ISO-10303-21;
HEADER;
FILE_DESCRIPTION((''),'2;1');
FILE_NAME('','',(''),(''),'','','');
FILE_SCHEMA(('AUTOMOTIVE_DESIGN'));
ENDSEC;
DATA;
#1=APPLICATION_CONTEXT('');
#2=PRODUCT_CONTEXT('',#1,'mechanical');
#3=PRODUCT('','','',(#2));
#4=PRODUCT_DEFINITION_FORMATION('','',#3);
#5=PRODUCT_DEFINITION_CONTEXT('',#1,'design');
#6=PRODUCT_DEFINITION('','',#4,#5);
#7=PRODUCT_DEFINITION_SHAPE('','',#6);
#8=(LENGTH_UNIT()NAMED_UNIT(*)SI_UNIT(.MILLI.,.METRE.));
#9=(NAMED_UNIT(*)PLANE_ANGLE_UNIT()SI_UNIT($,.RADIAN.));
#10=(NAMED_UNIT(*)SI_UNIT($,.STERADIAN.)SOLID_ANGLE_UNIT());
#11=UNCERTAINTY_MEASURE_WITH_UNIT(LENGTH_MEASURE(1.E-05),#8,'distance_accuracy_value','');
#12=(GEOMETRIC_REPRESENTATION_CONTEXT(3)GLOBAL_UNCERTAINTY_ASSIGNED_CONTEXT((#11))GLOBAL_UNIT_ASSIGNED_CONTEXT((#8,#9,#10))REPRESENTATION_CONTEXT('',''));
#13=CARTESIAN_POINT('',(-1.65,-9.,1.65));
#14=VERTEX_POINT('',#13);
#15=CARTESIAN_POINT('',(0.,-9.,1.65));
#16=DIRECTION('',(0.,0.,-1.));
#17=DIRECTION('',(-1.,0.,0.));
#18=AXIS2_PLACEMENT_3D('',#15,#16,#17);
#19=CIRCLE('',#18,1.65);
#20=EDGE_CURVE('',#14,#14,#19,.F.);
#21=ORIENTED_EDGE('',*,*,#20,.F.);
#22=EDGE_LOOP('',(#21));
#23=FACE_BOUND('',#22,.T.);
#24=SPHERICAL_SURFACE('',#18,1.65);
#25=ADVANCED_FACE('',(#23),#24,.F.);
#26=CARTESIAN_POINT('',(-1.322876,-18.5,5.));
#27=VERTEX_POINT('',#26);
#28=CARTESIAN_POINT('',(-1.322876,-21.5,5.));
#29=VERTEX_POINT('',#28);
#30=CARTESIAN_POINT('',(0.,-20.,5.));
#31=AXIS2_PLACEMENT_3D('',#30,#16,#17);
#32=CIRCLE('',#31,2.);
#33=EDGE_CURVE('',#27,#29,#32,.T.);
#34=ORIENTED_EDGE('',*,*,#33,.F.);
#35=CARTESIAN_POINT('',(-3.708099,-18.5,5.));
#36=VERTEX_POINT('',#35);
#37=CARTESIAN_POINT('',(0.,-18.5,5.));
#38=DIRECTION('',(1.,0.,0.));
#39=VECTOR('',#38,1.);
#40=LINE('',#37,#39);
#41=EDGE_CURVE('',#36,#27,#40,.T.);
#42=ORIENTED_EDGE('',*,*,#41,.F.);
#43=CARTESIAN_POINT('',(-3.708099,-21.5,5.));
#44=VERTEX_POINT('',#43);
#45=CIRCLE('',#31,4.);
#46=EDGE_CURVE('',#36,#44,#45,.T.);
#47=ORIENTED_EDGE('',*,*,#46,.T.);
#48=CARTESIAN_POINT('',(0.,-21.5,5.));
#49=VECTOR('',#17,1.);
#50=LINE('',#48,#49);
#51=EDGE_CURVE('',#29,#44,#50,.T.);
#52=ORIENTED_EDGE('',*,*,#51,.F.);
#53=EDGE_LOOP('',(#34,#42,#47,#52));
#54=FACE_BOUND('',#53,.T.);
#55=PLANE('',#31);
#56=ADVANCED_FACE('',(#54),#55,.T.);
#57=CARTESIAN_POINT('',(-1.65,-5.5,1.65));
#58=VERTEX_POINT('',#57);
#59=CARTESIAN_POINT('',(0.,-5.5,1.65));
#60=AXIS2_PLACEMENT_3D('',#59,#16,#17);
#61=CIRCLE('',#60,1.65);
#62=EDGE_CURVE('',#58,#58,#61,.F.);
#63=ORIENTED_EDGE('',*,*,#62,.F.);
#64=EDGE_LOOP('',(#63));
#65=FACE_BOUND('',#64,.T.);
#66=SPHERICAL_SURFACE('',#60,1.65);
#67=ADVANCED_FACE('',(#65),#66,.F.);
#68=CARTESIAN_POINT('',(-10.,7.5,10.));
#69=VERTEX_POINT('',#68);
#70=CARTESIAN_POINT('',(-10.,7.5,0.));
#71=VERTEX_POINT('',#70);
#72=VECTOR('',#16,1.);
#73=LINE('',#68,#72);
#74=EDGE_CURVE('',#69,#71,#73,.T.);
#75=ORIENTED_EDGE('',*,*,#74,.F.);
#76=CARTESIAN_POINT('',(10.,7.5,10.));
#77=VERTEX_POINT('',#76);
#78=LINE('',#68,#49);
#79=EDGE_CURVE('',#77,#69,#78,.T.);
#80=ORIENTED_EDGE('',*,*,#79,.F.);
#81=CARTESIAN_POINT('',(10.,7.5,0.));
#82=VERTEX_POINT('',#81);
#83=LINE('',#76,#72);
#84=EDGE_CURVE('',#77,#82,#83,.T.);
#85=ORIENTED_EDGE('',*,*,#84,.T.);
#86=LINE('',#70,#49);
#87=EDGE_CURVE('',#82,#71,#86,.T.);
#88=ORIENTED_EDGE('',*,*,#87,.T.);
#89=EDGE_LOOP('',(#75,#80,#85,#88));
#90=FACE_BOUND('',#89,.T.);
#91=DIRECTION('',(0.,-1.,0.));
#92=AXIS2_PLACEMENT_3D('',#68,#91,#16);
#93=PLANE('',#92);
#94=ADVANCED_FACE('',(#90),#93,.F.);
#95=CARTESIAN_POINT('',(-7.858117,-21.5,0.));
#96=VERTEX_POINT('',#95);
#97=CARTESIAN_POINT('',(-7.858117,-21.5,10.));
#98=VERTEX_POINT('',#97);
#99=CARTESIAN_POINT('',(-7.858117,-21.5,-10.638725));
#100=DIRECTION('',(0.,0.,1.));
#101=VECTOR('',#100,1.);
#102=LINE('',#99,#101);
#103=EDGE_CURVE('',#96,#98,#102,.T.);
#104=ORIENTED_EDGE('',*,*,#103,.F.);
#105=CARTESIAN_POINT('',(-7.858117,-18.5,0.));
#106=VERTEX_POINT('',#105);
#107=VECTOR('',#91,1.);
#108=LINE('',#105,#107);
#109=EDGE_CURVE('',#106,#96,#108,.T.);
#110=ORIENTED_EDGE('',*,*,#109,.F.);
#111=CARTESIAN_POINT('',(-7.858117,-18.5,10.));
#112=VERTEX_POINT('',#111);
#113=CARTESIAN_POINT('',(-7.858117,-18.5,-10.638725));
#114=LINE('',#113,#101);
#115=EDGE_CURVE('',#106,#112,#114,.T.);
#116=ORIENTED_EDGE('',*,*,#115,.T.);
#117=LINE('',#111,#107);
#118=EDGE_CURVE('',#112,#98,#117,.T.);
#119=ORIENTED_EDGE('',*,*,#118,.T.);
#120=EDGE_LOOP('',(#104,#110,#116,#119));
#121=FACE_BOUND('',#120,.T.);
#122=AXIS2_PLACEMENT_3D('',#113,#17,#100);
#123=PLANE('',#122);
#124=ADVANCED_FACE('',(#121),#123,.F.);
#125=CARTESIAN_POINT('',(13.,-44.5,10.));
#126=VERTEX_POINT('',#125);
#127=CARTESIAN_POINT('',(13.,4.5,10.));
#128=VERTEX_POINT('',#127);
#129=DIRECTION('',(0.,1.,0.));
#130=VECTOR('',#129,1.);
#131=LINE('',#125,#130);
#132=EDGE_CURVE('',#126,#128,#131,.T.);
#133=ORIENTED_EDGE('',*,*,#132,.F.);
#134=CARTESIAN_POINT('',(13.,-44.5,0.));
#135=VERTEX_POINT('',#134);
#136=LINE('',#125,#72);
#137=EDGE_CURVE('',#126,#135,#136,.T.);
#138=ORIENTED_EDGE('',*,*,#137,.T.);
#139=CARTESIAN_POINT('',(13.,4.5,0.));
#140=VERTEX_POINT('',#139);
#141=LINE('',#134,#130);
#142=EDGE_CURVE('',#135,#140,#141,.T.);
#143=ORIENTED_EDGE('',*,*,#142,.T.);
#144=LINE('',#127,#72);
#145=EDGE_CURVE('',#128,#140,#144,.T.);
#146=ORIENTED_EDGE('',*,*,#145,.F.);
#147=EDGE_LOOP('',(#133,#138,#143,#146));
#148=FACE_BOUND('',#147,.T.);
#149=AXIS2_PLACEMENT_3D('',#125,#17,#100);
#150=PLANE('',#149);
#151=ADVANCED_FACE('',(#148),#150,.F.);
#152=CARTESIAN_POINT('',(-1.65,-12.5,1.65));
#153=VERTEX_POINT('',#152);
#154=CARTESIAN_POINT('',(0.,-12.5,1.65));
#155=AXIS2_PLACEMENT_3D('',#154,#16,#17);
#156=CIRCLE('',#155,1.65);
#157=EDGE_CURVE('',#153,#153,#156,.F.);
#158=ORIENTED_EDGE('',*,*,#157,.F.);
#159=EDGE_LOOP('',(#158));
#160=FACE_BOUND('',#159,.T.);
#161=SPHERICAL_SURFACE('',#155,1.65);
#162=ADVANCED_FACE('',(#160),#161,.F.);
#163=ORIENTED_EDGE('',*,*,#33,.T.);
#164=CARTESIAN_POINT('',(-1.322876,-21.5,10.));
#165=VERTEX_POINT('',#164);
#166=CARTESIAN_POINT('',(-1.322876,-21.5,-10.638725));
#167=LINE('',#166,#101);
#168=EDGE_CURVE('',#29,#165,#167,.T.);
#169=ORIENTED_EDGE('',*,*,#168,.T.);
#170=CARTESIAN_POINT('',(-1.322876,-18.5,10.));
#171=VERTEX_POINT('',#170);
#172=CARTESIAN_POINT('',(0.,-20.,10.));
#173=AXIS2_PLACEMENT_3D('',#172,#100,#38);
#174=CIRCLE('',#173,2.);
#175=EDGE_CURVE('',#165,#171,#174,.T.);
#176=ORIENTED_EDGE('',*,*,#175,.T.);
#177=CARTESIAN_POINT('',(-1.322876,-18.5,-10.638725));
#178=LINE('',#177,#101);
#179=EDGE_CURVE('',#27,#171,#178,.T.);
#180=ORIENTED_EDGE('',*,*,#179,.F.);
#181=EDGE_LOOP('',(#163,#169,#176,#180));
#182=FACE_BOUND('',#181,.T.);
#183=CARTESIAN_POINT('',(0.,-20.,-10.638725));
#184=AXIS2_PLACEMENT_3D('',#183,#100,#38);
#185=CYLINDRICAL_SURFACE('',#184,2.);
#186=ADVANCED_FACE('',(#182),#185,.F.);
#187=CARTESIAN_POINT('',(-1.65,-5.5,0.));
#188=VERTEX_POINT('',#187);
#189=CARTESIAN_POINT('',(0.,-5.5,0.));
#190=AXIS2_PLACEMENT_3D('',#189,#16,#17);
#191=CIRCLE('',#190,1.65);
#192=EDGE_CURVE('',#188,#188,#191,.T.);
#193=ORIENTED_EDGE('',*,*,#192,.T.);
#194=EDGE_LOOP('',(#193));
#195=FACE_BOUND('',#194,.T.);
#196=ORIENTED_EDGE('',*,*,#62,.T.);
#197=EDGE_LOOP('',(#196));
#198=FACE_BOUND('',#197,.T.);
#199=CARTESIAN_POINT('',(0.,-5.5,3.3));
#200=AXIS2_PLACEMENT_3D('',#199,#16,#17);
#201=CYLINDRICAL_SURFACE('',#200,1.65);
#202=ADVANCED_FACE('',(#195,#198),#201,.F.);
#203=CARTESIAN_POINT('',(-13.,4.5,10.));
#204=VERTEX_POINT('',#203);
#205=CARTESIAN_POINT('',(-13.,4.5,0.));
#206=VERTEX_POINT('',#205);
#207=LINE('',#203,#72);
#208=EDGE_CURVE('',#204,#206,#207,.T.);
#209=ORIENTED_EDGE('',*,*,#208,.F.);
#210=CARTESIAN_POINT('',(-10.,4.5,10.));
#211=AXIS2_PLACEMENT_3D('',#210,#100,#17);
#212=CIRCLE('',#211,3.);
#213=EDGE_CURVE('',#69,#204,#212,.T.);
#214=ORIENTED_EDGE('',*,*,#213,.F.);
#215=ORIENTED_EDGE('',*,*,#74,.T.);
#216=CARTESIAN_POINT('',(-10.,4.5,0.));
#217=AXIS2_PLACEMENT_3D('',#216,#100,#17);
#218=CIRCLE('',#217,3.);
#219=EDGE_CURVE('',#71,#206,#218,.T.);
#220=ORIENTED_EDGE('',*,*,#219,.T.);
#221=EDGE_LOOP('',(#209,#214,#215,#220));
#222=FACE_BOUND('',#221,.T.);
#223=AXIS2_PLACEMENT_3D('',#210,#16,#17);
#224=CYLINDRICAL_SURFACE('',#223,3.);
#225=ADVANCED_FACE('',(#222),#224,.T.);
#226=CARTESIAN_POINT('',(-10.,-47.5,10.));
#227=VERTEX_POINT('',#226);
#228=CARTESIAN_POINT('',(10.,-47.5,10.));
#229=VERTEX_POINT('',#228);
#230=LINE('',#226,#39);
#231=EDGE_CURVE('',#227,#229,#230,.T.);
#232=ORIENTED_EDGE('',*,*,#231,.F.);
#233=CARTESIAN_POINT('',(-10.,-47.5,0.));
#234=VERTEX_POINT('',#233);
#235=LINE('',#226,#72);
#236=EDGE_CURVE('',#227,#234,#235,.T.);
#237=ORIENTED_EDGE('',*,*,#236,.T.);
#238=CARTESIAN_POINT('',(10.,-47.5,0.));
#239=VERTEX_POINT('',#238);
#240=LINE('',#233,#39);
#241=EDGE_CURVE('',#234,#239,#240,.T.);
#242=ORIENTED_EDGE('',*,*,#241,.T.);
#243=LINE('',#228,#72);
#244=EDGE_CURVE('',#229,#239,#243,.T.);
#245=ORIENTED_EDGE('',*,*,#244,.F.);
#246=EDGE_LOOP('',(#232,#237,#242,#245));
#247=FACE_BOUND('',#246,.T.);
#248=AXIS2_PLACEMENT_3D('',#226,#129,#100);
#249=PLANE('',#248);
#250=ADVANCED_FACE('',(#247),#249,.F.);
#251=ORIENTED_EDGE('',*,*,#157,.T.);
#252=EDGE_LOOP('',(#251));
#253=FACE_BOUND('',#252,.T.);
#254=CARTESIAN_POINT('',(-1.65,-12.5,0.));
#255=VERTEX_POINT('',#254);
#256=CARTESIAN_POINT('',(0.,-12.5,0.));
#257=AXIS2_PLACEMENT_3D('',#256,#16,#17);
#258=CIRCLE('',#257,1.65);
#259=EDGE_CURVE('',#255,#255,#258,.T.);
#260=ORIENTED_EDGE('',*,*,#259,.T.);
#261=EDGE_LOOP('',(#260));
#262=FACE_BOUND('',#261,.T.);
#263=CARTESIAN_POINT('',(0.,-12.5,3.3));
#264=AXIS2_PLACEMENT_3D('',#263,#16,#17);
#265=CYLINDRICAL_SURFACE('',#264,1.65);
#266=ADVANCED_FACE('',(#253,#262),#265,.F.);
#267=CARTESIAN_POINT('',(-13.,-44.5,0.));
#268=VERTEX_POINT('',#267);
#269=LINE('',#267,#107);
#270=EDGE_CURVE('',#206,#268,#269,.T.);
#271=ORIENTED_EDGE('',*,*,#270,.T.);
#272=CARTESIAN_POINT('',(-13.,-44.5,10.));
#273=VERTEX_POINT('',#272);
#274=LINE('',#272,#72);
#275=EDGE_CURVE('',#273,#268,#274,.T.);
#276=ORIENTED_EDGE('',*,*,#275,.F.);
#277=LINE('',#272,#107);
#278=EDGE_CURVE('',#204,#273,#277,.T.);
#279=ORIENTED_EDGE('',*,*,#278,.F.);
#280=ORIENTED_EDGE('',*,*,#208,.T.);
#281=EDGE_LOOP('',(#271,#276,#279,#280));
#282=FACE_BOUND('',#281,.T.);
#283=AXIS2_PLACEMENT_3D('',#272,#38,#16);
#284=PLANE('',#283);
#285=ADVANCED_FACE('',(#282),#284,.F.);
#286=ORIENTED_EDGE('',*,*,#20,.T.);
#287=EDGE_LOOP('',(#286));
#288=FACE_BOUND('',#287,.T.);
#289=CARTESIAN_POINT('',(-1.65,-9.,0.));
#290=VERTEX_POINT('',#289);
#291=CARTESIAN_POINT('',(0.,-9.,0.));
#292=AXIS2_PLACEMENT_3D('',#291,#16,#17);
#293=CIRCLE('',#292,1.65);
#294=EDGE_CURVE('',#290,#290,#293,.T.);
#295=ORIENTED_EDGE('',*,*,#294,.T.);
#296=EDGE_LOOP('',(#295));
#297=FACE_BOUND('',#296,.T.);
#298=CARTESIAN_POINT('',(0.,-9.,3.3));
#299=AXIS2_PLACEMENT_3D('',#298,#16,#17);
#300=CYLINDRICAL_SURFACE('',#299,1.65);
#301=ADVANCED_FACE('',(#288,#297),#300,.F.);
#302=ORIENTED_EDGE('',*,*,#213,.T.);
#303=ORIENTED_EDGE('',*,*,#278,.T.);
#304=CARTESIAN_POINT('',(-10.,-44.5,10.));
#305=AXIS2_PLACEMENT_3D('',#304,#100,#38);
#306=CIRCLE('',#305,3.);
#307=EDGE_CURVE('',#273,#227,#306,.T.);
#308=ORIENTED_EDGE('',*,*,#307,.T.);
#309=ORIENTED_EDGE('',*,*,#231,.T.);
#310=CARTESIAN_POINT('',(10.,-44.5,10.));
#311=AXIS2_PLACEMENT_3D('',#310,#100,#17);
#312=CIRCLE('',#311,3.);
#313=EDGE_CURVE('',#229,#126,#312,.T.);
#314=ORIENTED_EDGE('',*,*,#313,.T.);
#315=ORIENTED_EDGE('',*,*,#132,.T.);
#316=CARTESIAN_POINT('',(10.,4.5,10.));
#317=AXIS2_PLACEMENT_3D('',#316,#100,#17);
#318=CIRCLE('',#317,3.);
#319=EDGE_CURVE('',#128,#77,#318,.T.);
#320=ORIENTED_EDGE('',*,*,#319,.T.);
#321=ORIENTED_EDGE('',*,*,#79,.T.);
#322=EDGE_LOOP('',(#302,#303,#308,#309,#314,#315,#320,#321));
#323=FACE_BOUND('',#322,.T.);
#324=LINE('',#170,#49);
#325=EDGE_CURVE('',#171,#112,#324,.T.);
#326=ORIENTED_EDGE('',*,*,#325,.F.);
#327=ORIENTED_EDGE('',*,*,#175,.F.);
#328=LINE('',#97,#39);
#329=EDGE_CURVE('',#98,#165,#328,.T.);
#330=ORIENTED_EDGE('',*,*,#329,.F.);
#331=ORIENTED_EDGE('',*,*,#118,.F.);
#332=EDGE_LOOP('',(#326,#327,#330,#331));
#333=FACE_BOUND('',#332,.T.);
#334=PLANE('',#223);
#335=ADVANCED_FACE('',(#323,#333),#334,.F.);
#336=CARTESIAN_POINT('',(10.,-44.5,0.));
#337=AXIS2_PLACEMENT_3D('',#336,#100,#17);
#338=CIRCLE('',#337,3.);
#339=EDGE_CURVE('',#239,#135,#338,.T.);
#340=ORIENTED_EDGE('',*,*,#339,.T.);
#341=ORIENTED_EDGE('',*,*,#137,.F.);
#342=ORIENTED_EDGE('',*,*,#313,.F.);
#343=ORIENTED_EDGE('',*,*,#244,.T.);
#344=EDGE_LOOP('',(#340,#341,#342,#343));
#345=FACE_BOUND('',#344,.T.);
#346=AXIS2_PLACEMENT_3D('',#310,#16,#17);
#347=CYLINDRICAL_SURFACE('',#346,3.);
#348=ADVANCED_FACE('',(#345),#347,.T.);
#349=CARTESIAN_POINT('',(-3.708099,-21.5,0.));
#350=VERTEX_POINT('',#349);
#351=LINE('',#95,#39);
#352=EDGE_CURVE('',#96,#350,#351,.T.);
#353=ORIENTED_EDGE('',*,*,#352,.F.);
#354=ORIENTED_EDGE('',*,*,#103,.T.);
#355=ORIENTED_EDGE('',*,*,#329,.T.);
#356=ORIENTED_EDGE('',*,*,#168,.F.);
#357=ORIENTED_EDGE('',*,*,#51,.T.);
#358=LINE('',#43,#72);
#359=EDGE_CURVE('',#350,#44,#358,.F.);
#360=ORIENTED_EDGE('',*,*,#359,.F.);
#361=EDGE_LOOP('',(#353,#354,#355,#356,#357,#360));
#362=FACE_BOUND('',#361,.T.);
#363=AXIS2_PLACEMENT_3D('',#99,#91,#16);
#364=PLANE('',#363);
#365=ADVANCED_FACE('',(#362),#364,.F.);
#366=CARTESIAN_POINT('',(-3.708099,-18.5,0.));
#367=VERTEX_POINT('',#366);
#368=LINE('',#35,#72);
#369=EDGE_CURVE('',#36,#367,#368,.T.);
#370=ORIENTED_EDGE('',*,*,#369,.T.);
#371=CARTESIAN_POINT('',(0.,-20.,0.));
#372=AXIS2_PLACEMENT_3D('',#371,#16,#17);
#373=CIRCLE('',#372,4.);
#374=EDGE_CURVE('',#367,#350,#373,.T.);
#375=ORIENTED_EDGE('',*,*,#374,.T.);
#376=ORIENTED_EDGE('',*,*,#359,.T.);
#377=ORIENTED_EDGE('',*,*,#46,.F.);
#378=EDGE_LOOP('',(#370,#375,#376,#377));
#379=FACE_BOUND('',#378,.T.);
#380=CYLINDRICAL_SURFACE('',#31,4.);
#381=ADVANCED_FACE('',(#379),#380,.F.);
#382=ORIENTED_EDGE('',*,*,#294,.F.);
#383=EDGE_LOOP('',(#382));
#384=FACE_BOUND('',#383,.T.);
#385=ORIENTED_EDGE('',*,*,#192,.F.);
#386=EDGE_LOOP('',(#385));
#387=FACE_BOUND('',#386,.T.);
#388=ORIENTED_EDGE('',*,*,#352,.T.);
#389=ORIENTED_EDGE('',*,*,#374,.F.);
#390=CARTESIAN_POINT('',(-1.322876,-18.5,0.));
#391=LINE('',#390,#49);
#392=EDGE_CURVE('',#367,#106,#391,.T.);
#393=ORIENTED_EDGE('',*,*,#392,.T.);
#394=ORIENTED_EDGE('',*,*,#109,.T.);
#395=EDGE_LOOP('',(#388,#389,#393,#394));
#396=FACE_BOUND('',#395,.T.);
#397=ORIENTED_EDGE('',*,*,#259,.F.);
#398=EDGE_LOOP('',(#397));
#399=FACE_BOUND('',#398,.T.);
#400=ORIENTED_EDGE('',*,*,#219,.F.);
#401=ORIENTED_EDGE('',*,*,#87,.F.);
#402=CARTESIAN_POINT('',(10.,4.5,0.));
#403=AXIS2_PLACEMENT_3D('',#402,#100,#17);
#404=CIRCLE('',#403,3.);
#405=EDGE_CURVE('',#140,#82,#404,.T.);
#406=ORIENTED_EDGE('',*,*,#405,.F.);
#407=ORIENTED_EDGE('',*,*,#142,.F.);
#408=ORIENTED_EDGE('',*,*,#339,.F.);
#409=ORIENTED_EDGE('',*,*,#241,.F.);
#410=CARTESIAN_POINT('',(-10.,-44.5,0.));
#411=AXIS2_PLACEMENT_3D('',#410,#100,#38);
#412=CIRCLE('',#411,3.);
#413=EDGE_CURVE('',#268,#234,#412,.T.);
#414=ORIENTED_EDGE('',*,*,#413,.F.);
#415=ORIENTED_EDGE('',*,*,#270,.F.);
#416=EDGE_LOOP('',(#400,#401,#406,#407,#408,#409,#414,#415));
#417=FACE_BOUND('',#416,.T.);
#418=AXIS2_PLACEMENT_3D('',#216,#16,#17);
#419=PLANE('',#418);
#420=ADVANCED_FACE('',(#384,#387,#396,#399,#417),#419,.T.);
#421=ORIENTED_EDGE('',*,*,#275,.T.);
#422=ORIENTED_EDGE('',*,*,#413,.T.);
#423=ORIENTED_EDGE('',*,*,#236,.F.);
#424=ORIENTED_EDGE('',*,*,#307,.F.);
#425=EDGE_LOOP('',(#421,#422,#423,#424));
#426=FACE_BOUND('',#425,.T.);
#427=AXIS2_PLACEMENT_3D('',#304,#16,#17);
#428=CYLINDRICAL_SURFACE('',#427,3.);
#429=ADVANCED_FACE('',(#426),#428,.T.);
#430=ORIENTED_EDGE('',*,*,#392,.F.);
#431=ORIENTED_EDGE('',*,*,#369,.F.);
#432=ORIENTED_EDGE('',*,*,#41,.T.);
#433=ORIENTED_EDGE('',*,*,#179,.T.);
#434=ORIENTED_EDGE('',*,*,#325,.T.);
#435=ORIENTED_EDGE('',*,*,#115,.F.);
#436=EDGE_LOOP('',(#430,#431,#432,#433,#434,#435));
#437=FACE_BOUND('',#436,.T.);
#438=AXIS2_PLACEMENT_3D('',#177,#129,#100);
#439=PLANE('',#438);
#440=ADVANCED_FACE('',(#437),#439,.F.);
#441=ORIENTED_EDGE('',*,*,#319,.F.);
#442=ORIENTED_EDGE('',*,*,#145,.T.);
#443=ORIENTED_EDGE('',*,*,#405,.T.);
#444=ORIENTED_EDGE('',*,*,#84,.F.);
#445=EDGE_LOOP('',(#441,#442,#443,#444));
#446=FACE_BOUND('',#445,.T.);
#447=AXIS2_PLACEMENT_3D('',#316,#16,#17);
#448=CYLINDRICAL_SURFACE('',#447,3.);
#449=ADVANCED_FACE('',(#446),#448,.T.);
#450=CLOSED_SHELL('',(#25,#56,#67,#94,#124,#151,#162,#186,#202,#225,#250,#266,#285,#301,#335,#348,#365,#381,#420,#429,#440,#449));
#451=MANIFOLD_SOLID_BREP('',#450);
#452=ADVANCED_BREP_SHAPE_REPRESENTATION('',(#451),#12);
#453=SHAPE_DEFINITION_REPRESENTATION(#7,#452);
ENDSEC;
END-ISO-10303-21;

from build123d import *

# Parameters (mm, degrees)
BOSS_EXTRUDE1_DEPTH = 10
SKETCH5_R           = 4
CUT_EXTRUDE3_DEPTH  = 5
CUT_EXTRUDE1_REACH  = 52.252
SKETCH3_R           = 1.65
CUT_EXTRUDE2_DEPTH  = 3.3
FILLET1_R           = 1.65


with BuildPart() as part:
    # Sketch1 → Boss-Extrude1 (new body)
    with BuildSketch(Plane.XY):
        with BuildLine():
            Line((-10, -47.5), (10, -47.5))
            ThreePointArc((10, -47.5), (12.121320344, -46.621320344), (13, -44.5))
            Line((13, -44.5), (13, 4.5))
            ThreePointArc((13, 4.5), (12.121320344, 6.621320344), (10, 7.5))
            Line((10, 7.5), (-10, 7.5))
            ThreePointArc((-10, 7.5), (-12.121320344, 6.621320344), (-13, 4.5))
            Line((-13, 4.5), (-13, -44.5))
            ThreePointArc((-13, -44.5), (-12.121320344, -46.621320344), (-10, -47.5))
        make_face()
    extrude(amount=BOSS_EXTRUDE1_DEPTH)

    # Sketch5 → Cut-Extrude3 (cut)
    with BuildSketch(Plane(origin=(0, 0, 0), x_dir=(-1, 0, 0), z_dir=(0, 0, -1))):
        with Locations((0, -20)):
            Circle(SKETCH5_R)
    extrude(amount=-CUT_EXTRUDE3_DEPTH, mode=Mode.SUBTRACT)

    # Cut-Extrude1: up to this face of the body (flat: up to its plane)
    cut_extrude1_end = Plane(part.part.faces().sort_by_distance((-11.69114596, -46.19114596, 0))[0])
    # Sketch2 → Cut-Extrude1 (cut, up to the picked face)
    with BuildSketch(Plane.XY.offset(10), mode=Mode.PRIVATE) as cut_extrude1_sk1:
        with BuildLine():
            Line((-1.322875656, -18.5), (-7.858116823, -18.5))
            Line((-7.858116823, -18.5), (-7.858116823, -21.5))
            Line((-7.858116823, -21.5), (-1.322875656, -21.5))
            ThreePointArc((-1.322875656, -21.5), (2, -20), (-1.322875656, -18.5))
        make_face()
    cut_extrude1_tool1 = split(extrude(cut_extrude1_sk1.sketch, amount=-CUT_EXTRUDE1_REACH, mode=Mode.PRIVATE), bisect_by=cut_extrude1_end, keep=Keep.BOTH, mode=Mode.PRIVATE)
    add(cut_extrude1_tool1.solids().sort_by(Axis((-2.852345, -20, 10), (0, 0, -1)))[0], mode=Mode.SUBTRACT)

    # Sketch3 → Cut-Extrude2 (cut)
    with BuildSketch(Plane(origin=(0, 0, 0), x_dir=(-1, 0, 0), z_dir=(0, 0, -1))):
        with Locations((0, -5.5)):
            Circle(SKETCH3_R)
        with Locations((0, -9)):
            Circle(SKETCH3_R)
        with Locations((0, -12.5)):
            Circle(SKETCH3_R)
    extrude(amount=-CUT_EXTRUDE2_DEPTH, mode=Mode.SUBTRACT)

    # Fillet1
    fillet1_edges = [part.edges().sort_by_distance(p)[0] for p in [
        (1.65, -5.5, 3.3),
        (1.65, -9, 3.3),
        (1.65, -12.5, 3.3),
    ]]
    fillet(fillet1_edges, radius=FILLET1_R)


solid = part.part
